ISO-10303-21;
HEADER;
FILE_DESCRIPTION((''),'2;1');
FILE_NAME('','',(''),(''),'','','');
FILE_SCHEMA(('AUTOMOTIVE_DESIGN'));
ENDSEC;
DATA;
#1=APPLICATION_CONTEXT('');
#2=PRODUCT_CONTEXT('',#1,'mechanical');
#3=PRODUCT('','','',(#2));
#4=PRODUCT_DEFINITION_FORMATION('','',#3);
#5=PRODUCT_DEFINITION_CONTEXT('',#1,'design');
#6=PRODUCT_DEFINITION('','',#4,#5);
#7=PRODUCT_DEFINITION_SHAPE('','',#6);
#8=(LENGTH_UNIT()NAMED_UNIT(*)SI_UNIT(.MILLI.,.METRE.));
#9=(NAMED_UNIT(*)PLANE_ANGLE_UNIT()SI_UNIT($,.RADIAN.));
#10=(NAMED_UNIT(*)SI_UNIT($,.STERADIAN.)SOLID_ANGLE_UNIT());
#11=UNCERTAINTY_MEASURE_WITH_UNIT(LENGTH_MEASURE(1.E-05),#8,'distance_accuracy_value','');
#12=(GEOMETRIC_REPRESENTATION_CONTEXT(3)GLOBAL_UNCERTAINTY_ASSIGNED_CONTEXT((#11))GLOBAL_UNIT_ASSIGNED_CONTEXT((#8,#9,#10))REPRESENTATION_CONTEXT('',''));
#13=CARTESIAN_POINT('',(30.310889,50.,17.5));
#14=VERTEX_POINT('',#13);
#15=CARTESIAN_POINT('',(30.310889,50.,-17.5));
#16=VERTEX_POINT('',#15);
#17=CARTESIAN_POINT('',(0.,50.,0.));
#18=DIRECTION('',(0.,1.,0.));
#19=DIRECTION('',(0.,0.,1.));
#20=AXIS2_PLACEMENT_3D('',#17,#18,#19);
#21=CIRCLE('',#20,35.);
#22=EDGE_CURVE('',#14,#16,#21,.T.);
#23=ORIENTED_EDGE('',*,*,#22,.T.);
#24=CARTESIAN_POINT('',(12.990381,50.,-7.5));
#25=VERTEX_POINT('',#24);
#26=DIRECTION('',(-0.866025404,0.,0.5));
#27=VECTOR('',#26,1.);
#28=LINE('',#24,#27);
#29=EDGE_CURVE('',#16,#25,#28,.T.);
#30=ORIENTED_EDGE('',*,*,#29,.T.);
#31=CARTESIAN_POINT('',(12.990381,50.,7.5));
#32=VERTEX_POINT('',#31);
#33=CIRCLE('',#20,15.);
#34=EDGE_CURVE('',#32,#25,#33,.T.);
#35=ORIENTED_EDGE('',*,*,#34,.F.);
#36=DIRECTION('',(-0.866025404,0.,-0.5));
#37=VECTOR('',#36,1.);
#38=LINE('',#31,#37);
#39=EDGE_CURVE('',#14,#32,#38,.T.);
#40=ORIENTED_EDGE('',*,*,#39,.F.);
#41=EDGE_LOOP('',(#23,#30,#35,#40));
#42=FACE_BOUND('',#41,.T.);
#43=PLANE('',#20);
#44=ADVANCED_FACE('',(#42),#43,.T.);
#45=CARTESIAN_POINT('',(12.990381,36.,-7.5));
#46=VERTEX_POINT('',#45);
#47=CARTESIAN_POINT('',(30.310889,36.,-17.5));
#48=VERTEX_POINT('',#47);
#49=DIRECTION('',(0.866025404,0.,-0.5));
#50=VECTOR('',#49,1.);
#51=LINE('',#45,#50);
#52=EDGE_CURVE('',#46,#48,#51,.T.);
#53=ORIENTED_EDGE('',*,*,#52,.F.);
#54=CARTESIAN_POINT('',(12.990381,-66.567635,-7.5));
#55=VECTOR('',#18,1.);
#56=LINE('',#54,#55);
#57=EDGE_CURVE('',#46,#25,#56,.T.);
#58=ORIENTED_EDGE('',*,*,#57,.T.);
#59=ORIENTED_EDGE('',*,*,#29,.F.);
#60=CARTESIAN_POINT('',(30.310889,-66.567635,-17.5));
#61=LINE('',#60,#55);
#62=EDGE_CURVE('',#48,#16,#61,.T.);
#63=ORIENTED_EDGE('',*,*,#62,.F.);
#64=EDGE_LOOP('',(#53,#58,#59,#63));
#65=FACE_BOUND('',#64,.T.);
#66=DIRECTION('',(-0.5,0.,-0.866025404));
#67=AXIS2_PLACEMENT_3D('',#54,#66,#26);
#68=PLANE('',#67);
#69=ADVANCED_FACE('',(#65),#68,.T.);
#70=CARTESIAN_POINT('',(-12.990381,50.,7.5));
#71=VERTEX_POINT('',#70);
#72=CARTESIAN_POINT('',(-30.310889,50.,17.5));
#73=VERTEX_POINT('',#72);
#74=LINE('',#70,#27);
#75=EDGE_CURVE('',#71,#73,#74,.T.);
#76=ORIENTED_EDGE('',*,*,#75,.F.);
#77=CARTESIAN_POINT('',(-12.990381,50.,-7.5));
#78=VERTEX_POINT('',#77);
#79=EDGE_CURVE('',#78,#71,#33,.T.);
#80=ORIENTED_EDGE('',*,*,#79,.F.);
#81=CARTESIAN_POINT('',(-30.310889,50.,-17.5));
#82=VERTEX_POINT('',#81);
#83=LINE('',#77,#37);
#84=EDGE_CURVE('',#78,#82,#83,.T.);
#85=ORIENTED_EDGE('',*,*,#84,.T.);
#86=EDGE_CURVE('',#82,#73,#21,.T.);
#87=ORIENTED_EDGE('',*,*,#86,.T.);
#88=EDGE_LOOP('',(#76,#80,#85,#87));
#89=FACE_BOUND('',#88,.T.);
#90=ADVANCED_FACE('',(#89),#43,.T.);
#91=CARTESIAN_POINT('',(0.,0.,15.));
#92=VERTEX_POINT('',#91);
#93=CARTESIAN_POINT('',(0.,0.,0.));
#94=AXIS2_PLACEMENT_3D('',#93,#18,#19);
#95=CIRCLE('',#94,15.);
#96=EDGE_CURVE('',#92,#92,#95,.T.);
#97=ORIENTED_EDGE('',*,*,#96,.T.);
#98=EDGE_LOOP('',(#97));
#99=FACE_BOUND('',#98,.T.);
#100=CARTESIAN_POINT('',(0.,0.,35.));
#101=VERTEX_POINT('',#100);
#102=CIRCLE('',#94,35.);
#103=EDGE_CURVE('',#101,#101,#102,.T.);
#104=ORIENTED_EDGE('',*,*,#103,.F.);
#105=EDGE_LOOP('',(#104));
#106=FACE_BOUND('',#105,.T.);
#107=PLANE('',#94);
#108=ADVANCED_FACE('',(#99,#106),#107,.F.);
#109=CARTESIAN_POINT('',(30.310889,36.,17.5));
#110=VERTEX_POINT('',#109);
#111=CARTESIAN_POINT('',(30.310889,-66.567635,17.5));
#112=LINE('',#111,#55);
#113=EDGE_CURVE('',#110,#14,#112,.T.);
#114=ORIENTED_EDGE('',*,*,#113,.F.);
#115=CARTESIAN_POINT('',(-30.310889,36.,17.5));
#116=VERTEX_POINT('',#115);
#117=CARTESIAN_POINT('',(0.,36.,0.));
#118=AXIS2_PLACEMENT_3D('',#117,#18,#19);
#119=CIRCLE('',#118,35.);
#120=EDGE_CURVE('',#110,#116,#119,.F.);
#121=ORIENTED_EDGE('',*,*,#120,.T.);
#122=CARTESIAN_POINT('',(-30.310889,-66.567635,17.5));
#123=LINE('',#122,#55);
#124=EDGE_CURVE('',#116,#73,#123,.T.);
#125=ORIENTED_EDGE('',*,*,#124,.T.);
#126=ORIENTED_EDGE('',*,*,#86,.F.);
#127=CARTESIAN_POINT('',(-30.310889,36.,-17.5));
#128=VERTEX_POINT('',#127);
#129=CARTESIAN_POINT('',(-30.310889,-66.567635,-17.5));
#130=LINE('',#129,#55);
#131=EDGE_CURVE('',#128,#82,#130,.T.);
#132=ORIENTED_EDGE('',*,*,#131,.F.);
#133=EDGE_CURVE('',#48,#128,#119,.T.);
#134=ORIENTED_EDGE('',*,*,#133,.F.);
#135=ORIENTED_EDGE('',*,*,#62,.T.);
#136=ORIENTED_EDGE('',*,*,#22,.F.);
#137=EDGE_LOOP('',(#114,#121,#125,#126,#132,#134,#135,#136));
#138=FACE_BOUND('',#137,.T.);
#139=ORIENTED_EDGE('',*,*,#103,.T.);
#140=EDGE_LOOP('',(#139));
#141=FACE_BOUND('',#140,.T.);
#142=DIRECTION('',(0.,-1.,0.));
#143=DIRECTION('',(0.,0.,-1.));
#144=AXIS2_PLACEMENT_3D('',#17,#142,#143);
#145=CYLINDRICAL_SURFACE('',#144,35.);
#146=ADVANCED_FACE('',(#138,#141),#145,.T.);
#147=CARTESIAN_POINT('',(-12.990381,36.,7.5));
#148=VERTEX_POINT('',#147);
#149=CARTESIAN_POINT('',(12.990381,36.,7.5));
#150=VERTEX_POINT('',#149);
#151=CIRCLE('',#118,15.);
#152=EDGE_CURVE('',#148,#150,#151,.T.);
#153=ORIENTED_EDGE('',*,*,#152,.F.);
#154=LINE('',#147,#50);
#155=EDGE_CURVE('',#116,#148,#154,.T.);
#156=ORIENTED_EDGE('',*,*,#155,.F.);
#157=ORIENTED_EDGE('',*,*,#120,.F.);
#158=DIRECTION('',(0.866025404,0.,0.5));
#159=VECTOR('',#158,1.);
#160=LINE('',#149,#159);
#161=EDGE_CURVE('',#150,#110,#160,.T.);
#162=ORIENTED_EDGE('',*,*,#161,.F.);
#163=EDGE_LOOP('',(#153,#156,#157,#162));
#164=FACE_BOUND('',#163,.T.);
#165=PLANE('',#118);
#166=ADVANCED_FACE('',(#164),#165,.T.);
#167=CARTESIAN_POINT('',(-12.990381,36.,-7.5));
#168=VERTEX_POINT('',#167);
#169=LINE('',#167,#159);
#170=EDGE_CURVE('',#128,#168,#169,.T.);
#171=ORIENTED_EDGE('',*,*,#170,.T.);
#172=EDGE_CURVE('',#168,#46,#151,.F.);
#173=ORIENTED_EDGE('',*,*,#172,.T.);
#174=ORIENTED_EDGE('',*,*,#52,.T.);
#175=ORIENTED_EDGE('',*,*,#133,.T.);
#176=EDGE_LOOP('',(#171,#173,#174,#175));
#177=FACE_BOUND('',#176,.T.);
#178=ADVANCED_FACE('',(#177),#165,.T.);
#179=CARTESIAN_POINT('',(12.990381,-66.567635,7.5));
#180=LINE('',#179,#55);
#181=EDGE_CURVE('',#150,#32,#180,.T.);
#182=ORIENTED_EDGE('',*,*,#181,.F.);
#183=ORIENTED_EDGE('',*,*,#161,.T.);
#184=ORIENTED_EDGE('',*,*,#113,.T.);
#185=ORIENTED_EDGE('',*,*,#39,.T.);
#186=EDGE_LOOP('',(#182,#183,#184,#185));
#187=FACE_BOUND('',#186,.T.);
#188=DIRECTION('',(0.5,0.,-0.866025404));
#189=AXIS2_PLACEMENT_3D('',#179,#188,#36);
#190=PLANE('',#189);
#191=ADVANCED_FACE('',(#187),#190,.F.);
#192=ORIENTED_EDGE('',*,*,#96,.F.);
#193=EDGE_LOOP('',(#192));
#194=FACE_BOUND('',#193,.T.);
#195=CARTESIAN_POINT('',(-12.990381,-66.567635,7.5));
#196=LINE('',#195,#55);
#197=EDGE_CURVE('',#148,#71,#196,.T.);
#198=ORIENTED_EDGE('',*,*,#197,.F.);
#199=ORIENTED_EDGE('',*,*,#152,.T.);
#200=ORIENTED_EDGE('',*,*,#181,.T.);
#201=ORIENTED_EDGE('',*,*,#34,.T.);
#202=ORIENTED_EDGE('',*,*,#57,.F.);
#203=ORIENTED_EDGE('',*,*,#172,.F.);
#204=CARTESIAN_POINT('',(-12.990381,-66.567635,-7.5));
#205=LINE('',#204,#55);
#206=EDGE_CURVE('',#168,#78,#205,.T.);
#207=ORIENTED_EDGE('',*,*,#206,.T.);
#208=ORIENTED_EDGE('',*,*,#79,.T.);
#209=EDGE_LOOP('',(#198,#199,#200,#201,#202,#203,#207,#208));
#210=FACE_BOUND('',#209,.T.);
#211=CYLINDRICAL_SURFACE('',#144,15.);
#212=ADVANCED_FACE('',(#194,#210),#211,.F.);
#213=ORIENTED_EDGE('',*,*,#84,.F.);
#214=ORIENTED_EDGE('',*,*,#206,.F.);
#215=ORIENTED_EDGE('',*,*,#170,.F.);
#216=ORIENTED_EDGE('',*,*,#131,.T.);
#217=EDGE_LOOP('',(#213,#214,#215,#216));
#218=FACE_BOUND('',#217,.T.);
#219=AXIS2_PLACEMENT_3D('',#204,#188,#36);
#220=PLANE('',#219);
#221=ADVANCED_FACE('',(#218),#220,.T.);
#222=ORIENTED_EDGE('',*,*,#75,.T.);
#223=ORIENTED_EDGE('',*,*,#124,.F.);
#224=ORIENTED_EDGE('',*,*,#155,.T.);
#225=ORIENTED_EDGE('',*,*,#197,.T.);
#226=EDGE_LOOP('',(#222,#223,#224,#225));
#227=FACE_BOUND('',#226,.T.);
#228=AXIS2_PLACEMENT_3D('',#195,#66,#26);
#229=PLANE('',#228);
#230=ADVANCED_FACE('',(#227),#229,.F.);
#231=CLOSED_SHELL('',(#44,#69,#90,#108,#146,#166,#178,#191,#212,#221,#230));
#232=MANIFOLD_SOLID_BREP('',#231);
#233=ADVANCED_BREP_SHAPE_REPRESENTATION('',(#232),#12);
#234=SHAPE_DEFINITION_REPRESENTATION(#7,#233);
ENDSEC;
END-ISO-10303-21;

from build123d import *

# Parameters (mm, degrees)
SKETCH1_R           = 35
SKETCH1_R_2         = 15
BOSS_EXTRUDE1_DEPTH = 50
CUT_EXTRUDE1_START  = -14
CUT_EXTRUDE1_DEPTH  = 14


with BuildPart() as part:
    # Sketch1 → Boss-Extrude1 (new body)
    with BuildSketch(Plane(origin=(0, 0, 0), x_dir=(1, 0, 0), z_dir=(0, 1, 0))):
        with Locations(Location((0, 0, 0), (0, 0, 270))):
            Circle(SKETCH1_R)
        with Locations(Location((0, 0, 0), (0, 0, 270))):
            Circle(SKETCH1_R_2, mode=Mode.SUBTRACT)
    extrude(amount=BOSS_EXTRUDE1_DEPTH)

    # Sketch2 → Cut-Extrude1 (cut)
    with BuildSketch(Plane(origin=(0, 50, 0), x_dir=(1, 0, 0), z_dir=(0, 1, 0)).offset(CUT_EXTRUDE1_START)):
        with BuildLine():
            Line((12.990381057, -7.5), (30.310889132, -17.5))
            ThreePointArc((30.310889132, -17.5), (0, -35), (-30.310889132, -17.5))
            Line((-30.310889132, -17.5), (-12.990381057, -7.5))
            ThreePointArc((-12.990381057, -7.5), (0, -15), (12.990381057, -7.5))
        make_face()
    cut_extrude1 = extrude(amount=CUT_EXTRUDE1_DEPTH, mode=Mode.SUBTRACT)

    # Mirror1: Cut-Extrude1 across plane
    add(cut_extrude1.mirror(Plane.XY), mode=Mode.SUBTRACT)


solid = part.part
